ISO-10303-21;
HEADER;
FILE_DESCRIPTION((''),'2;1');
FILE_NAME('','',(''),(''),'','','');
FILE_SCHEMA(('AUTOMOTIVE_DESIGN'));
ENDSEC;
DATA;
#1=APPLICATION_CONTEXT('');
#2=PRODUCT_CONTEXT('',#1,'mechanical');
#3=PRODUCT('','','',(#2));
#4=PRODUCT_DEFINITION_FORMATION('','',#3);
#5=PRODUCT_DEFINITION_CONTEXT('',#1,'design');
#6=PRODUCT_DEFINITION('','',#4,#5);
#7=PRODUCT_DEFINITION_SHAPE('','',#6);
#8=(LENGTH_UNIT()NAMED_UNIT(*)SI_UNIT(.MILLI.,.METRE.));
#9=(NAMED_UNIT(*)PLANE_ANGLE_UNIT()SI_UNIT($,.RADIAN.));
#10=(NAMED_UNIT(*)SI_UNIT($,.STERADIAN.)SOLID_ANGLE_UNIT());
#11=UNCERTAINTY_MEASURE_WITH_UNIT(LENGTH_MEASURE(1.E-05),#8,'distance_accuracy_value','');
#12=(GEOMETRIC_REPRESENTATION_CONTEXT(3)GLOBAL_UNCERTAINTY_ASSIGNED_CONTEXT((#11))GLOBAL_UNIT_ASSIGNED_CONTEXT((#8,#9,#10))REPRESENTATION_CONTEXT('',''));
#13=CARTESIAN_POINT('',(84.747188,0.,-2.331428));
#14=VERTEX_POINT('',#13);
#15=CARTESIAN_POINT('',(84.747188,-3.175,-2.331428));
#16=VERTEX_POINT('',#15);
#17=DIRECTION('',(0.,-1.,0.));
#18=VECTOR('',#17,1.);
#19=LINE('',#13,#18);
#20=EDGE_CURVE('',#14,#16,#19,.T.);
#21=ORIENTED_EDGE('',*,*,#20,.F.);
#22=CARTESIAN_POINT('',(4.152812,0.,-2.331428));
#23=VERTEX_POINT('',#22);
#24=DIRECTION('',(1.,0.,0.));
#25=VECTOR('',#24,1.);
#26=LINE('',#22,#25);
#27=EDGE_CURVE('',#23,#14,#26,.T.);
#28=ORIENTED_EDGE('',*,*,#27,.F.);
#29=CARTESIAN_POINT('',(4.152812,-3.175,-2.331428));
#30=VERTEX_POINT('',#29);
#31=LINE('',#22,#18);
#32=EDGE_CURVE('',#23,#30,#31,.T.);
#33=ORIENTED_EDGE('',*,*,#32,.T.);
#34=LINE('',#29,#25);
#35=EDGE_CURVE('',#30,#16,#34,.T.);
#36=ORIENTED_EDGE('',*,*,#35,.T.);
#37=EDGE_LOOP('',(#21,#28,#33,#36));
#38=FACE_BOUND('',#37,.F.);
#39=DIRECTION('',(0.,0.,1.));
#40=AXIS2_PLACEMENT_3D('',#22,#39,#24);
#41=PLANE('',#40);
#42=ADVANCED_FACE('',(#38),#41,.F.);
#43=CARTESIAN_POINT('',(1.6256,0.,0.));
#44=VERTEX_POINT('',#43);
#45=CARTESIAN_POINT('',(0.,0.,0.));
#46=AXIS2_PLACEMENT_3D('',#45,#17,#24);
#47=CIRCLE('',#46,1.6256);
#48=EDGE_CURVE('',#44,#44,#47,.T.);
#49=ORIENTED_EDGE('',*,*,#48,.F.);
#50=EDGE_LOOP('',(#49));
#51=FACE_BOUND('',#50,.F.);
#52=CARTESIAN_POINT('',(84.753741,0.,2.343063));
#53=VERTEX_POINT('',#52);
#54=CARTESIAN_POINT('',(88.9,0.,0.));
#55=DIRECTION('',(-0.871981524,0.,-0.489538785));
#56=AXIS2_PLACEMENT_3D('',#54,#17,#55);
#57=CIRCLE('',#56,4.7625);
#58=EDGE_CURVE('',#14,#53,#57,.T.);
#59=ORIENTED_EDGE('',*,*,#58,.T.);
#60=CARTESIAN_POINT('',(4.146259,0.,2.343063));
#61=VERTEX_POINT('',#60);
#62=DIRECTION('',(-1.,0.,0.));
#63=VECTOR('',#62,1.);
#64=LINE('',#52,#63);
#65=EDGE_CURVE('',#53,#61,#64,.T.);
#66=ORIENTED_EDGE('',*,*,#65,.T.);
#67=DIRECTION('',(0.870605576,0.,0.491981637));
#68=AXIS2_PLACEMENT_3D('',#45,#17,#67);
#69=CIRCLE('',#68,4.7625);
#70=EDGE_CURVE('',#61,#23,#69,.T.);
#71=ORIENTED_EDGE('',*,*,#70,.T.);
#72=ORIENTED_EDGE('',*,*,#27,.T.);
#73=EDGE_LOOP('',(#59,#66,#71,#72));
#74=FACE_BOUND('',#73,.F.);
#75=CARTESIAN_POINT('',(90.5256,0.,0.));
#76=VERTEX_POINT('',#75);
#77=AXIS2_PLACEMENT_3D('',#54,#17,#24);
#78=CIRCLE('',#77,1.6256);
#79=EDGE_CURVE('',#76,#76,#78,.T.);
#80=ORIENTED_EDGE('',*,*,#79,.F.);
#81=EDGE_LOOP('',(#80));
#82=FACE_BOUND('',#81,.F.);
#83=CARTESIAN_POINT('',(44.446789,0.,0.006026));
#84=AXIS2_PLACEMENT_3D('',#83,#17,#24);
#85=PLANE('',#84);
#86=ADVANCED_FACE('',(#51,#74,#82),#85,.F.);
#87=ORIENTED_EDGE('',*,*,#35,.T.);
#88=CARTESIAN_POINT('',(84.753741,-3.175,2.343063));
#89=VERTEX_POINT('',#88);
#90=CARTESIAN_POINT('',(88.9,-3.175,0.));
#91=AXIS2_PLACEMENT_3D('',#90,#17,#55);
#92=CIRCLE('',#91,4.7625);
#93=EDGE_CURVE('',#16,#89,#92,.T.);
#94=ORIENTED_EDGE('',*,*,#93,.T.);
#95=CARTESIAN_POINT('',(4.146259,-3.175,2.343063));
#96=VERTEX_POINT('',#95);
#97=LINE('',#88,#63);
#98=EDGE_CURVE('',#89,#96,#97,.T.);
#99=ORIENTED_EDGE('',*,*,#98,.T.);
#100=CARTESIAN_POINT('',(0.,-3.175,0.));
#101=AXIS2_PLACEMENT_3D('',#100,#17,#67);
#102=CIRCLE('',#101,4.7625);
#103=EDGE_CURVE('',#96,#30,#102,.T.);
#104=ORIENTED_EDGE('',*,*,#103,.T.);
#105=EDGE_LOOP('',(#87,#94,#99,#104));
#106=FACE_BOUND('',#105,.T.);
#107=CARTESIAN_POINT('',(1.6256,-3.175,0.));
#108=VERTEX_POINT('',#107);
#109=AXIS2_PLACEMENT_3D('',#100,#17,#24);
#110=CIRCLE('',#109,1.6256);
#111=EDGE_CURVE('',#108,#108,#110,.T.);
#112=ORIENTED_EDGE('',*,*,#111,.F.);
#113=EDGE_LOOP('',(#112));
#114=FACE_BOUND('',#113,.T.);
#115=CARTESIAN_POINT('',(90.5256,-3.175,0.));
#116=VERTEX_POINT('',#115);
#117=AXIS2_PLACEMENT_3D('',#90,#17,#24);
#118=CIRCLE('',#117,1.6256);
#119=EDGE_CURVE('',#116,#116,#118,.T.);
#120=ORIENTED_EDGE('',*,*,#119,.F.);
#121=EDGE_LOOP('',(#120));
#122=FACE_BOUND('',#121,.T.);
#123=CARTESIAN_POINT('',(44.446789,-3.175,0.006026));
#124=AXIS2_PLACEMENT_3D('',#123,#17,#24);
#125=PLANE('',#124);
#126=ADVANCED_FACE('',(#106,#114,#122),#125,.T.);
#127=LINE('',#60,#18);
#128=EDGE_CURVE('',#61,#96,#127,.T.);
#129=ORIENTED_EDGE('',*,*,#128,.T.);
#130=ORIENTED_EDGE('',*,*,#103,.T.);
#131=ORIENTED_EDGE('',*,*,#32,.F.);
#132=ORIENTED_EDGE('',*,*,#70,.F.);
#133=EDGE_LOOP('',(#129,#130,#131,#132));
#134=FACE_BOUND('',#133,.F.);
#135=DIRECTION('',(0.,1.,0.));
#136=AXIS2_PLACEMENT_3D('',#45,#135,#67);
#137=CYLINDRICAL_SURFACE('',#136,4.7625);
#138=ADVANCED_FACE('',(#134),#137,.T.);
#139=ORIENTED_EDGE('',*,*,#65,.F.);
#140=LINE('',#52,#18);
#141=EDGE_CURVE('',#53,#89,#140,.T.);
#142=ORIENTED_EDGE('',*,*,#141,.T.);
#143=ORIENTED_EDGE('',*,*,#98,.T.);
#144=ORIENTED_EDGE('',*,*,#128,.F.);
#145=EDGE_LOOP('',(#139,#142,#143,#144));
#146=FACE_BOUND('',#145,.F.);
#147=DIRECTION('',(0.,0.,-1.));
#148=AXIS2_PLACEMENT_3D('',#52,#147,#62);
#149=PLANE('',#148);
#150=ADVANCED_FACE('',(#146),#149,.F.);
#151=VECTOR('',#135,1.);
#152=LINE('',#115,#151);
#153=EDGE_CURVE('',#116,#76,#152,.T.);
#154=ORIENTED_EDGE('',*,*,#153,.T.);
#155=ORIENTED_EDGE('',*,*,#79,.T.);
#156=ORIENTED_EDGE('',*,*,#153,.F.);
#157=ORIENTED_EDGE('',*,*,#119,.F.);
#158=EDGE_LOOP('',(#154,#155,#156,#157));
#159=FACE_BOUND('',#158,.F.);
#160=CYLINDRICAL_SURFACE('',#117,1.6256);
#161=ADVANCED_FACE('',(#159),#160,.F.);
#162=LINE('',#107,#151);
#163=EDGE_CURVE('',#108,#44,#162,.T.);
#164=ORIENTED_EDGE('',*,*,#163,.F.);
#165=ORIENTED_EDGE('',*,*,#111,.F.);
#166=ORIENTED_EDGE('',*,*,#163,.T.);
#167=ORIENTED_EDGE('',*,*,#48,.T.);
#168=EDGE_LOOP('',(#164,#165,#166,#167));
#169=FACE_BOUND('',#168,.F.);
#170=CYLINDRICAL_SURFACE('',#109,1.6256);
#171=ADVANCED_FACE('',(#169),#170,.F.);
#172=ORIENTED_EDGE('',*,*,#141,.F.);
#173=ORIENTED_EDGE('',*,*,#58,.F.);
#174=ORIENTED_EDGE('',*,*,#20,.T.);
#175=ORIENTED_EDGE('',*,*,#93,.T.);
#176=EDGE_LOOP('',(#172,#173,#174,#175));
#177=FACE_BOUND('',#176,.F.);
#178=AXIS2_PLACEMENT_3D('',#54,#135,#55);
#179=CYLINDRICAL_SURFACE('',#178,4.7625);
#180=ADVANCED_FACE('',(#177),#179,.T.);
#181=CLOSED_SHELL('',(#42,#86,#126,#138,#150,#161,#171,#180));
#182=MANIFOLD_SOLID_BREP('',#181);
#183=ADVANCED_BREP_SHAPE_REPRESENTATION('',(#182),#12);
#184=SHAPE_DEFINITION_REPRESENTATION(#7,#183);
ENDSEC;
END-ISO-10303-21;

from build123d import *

# Parameters (mm, degrees)
F1_DEPTH = 3.175
F2_R     = 1.6256
F3_DEPTH = 25.4


with BuildPart() as f1:
    # F0 (on Front) → F1 (new body)
    with BuildSketch(Plane.XZ):
        with BuildLine():
            ThreePointArc((4.1462590565, 2.3430625442), (4.6058639258, 1.2113726704), (4.7625, 0))
            ThreePointArc((4.7625, 0), (4.6075575655, -1.2049147401), (4.152812008, -2.3314284626))
            Line((4.152812008, -2.3314284626), (84.747187992, -2.3314284626))
            ThreePointArc((84.747187992, -2.3314284626), (84.1375046796, 0.0066763206), (84.7537409435, 2.3430625442))
            Line((84.7537409435, 2.3430625442), (4.1462590565, 2.3430625442))
        make_face()
        with BuildLine():
            ThreePointArc((4.152812008, -2.3314284626), (4.6075575655, -1.2049147401), (4.7625, 0))
            ThreePointArc((4.7625, 0), (4.6058639258, 1.2113726704), (4.1462590565, 2.3430625442))
            ThreePointArc((4.1462590565, 2.3430625442), (-4.7624953204, -0.0066763206), (4.152812008, -2.3314284626))
        make_face()
        with BuildLine():
            ThreePointArc((93.6625, 0), (90.1113726704, 4.6058639258), (84.7537409435, 2.3430625442))
            ThreePointArc((84.7537409435, 2.3430625442), (84.1375046796, 0.0066763206), (84.747187992, -2.3314284626))
            ThreePointArc((84.747187992, -2.3314284626), (90.1049147401, -4.6075575655), (93.6625, 0))
        make_face()
    extrude(amount=F1_DEPTH)

    # F2 (on face) → F3 (cut)
    with BuildSketch(Plane.XZ.offset(3.175)):
        Circle(F2_R)
        with Locations((88.9, 0)):
            Circle(F2_R)
    extrude(amount=-F3_DEPTH, mode=Mode.SUBTRACT)


solid = f1.part
